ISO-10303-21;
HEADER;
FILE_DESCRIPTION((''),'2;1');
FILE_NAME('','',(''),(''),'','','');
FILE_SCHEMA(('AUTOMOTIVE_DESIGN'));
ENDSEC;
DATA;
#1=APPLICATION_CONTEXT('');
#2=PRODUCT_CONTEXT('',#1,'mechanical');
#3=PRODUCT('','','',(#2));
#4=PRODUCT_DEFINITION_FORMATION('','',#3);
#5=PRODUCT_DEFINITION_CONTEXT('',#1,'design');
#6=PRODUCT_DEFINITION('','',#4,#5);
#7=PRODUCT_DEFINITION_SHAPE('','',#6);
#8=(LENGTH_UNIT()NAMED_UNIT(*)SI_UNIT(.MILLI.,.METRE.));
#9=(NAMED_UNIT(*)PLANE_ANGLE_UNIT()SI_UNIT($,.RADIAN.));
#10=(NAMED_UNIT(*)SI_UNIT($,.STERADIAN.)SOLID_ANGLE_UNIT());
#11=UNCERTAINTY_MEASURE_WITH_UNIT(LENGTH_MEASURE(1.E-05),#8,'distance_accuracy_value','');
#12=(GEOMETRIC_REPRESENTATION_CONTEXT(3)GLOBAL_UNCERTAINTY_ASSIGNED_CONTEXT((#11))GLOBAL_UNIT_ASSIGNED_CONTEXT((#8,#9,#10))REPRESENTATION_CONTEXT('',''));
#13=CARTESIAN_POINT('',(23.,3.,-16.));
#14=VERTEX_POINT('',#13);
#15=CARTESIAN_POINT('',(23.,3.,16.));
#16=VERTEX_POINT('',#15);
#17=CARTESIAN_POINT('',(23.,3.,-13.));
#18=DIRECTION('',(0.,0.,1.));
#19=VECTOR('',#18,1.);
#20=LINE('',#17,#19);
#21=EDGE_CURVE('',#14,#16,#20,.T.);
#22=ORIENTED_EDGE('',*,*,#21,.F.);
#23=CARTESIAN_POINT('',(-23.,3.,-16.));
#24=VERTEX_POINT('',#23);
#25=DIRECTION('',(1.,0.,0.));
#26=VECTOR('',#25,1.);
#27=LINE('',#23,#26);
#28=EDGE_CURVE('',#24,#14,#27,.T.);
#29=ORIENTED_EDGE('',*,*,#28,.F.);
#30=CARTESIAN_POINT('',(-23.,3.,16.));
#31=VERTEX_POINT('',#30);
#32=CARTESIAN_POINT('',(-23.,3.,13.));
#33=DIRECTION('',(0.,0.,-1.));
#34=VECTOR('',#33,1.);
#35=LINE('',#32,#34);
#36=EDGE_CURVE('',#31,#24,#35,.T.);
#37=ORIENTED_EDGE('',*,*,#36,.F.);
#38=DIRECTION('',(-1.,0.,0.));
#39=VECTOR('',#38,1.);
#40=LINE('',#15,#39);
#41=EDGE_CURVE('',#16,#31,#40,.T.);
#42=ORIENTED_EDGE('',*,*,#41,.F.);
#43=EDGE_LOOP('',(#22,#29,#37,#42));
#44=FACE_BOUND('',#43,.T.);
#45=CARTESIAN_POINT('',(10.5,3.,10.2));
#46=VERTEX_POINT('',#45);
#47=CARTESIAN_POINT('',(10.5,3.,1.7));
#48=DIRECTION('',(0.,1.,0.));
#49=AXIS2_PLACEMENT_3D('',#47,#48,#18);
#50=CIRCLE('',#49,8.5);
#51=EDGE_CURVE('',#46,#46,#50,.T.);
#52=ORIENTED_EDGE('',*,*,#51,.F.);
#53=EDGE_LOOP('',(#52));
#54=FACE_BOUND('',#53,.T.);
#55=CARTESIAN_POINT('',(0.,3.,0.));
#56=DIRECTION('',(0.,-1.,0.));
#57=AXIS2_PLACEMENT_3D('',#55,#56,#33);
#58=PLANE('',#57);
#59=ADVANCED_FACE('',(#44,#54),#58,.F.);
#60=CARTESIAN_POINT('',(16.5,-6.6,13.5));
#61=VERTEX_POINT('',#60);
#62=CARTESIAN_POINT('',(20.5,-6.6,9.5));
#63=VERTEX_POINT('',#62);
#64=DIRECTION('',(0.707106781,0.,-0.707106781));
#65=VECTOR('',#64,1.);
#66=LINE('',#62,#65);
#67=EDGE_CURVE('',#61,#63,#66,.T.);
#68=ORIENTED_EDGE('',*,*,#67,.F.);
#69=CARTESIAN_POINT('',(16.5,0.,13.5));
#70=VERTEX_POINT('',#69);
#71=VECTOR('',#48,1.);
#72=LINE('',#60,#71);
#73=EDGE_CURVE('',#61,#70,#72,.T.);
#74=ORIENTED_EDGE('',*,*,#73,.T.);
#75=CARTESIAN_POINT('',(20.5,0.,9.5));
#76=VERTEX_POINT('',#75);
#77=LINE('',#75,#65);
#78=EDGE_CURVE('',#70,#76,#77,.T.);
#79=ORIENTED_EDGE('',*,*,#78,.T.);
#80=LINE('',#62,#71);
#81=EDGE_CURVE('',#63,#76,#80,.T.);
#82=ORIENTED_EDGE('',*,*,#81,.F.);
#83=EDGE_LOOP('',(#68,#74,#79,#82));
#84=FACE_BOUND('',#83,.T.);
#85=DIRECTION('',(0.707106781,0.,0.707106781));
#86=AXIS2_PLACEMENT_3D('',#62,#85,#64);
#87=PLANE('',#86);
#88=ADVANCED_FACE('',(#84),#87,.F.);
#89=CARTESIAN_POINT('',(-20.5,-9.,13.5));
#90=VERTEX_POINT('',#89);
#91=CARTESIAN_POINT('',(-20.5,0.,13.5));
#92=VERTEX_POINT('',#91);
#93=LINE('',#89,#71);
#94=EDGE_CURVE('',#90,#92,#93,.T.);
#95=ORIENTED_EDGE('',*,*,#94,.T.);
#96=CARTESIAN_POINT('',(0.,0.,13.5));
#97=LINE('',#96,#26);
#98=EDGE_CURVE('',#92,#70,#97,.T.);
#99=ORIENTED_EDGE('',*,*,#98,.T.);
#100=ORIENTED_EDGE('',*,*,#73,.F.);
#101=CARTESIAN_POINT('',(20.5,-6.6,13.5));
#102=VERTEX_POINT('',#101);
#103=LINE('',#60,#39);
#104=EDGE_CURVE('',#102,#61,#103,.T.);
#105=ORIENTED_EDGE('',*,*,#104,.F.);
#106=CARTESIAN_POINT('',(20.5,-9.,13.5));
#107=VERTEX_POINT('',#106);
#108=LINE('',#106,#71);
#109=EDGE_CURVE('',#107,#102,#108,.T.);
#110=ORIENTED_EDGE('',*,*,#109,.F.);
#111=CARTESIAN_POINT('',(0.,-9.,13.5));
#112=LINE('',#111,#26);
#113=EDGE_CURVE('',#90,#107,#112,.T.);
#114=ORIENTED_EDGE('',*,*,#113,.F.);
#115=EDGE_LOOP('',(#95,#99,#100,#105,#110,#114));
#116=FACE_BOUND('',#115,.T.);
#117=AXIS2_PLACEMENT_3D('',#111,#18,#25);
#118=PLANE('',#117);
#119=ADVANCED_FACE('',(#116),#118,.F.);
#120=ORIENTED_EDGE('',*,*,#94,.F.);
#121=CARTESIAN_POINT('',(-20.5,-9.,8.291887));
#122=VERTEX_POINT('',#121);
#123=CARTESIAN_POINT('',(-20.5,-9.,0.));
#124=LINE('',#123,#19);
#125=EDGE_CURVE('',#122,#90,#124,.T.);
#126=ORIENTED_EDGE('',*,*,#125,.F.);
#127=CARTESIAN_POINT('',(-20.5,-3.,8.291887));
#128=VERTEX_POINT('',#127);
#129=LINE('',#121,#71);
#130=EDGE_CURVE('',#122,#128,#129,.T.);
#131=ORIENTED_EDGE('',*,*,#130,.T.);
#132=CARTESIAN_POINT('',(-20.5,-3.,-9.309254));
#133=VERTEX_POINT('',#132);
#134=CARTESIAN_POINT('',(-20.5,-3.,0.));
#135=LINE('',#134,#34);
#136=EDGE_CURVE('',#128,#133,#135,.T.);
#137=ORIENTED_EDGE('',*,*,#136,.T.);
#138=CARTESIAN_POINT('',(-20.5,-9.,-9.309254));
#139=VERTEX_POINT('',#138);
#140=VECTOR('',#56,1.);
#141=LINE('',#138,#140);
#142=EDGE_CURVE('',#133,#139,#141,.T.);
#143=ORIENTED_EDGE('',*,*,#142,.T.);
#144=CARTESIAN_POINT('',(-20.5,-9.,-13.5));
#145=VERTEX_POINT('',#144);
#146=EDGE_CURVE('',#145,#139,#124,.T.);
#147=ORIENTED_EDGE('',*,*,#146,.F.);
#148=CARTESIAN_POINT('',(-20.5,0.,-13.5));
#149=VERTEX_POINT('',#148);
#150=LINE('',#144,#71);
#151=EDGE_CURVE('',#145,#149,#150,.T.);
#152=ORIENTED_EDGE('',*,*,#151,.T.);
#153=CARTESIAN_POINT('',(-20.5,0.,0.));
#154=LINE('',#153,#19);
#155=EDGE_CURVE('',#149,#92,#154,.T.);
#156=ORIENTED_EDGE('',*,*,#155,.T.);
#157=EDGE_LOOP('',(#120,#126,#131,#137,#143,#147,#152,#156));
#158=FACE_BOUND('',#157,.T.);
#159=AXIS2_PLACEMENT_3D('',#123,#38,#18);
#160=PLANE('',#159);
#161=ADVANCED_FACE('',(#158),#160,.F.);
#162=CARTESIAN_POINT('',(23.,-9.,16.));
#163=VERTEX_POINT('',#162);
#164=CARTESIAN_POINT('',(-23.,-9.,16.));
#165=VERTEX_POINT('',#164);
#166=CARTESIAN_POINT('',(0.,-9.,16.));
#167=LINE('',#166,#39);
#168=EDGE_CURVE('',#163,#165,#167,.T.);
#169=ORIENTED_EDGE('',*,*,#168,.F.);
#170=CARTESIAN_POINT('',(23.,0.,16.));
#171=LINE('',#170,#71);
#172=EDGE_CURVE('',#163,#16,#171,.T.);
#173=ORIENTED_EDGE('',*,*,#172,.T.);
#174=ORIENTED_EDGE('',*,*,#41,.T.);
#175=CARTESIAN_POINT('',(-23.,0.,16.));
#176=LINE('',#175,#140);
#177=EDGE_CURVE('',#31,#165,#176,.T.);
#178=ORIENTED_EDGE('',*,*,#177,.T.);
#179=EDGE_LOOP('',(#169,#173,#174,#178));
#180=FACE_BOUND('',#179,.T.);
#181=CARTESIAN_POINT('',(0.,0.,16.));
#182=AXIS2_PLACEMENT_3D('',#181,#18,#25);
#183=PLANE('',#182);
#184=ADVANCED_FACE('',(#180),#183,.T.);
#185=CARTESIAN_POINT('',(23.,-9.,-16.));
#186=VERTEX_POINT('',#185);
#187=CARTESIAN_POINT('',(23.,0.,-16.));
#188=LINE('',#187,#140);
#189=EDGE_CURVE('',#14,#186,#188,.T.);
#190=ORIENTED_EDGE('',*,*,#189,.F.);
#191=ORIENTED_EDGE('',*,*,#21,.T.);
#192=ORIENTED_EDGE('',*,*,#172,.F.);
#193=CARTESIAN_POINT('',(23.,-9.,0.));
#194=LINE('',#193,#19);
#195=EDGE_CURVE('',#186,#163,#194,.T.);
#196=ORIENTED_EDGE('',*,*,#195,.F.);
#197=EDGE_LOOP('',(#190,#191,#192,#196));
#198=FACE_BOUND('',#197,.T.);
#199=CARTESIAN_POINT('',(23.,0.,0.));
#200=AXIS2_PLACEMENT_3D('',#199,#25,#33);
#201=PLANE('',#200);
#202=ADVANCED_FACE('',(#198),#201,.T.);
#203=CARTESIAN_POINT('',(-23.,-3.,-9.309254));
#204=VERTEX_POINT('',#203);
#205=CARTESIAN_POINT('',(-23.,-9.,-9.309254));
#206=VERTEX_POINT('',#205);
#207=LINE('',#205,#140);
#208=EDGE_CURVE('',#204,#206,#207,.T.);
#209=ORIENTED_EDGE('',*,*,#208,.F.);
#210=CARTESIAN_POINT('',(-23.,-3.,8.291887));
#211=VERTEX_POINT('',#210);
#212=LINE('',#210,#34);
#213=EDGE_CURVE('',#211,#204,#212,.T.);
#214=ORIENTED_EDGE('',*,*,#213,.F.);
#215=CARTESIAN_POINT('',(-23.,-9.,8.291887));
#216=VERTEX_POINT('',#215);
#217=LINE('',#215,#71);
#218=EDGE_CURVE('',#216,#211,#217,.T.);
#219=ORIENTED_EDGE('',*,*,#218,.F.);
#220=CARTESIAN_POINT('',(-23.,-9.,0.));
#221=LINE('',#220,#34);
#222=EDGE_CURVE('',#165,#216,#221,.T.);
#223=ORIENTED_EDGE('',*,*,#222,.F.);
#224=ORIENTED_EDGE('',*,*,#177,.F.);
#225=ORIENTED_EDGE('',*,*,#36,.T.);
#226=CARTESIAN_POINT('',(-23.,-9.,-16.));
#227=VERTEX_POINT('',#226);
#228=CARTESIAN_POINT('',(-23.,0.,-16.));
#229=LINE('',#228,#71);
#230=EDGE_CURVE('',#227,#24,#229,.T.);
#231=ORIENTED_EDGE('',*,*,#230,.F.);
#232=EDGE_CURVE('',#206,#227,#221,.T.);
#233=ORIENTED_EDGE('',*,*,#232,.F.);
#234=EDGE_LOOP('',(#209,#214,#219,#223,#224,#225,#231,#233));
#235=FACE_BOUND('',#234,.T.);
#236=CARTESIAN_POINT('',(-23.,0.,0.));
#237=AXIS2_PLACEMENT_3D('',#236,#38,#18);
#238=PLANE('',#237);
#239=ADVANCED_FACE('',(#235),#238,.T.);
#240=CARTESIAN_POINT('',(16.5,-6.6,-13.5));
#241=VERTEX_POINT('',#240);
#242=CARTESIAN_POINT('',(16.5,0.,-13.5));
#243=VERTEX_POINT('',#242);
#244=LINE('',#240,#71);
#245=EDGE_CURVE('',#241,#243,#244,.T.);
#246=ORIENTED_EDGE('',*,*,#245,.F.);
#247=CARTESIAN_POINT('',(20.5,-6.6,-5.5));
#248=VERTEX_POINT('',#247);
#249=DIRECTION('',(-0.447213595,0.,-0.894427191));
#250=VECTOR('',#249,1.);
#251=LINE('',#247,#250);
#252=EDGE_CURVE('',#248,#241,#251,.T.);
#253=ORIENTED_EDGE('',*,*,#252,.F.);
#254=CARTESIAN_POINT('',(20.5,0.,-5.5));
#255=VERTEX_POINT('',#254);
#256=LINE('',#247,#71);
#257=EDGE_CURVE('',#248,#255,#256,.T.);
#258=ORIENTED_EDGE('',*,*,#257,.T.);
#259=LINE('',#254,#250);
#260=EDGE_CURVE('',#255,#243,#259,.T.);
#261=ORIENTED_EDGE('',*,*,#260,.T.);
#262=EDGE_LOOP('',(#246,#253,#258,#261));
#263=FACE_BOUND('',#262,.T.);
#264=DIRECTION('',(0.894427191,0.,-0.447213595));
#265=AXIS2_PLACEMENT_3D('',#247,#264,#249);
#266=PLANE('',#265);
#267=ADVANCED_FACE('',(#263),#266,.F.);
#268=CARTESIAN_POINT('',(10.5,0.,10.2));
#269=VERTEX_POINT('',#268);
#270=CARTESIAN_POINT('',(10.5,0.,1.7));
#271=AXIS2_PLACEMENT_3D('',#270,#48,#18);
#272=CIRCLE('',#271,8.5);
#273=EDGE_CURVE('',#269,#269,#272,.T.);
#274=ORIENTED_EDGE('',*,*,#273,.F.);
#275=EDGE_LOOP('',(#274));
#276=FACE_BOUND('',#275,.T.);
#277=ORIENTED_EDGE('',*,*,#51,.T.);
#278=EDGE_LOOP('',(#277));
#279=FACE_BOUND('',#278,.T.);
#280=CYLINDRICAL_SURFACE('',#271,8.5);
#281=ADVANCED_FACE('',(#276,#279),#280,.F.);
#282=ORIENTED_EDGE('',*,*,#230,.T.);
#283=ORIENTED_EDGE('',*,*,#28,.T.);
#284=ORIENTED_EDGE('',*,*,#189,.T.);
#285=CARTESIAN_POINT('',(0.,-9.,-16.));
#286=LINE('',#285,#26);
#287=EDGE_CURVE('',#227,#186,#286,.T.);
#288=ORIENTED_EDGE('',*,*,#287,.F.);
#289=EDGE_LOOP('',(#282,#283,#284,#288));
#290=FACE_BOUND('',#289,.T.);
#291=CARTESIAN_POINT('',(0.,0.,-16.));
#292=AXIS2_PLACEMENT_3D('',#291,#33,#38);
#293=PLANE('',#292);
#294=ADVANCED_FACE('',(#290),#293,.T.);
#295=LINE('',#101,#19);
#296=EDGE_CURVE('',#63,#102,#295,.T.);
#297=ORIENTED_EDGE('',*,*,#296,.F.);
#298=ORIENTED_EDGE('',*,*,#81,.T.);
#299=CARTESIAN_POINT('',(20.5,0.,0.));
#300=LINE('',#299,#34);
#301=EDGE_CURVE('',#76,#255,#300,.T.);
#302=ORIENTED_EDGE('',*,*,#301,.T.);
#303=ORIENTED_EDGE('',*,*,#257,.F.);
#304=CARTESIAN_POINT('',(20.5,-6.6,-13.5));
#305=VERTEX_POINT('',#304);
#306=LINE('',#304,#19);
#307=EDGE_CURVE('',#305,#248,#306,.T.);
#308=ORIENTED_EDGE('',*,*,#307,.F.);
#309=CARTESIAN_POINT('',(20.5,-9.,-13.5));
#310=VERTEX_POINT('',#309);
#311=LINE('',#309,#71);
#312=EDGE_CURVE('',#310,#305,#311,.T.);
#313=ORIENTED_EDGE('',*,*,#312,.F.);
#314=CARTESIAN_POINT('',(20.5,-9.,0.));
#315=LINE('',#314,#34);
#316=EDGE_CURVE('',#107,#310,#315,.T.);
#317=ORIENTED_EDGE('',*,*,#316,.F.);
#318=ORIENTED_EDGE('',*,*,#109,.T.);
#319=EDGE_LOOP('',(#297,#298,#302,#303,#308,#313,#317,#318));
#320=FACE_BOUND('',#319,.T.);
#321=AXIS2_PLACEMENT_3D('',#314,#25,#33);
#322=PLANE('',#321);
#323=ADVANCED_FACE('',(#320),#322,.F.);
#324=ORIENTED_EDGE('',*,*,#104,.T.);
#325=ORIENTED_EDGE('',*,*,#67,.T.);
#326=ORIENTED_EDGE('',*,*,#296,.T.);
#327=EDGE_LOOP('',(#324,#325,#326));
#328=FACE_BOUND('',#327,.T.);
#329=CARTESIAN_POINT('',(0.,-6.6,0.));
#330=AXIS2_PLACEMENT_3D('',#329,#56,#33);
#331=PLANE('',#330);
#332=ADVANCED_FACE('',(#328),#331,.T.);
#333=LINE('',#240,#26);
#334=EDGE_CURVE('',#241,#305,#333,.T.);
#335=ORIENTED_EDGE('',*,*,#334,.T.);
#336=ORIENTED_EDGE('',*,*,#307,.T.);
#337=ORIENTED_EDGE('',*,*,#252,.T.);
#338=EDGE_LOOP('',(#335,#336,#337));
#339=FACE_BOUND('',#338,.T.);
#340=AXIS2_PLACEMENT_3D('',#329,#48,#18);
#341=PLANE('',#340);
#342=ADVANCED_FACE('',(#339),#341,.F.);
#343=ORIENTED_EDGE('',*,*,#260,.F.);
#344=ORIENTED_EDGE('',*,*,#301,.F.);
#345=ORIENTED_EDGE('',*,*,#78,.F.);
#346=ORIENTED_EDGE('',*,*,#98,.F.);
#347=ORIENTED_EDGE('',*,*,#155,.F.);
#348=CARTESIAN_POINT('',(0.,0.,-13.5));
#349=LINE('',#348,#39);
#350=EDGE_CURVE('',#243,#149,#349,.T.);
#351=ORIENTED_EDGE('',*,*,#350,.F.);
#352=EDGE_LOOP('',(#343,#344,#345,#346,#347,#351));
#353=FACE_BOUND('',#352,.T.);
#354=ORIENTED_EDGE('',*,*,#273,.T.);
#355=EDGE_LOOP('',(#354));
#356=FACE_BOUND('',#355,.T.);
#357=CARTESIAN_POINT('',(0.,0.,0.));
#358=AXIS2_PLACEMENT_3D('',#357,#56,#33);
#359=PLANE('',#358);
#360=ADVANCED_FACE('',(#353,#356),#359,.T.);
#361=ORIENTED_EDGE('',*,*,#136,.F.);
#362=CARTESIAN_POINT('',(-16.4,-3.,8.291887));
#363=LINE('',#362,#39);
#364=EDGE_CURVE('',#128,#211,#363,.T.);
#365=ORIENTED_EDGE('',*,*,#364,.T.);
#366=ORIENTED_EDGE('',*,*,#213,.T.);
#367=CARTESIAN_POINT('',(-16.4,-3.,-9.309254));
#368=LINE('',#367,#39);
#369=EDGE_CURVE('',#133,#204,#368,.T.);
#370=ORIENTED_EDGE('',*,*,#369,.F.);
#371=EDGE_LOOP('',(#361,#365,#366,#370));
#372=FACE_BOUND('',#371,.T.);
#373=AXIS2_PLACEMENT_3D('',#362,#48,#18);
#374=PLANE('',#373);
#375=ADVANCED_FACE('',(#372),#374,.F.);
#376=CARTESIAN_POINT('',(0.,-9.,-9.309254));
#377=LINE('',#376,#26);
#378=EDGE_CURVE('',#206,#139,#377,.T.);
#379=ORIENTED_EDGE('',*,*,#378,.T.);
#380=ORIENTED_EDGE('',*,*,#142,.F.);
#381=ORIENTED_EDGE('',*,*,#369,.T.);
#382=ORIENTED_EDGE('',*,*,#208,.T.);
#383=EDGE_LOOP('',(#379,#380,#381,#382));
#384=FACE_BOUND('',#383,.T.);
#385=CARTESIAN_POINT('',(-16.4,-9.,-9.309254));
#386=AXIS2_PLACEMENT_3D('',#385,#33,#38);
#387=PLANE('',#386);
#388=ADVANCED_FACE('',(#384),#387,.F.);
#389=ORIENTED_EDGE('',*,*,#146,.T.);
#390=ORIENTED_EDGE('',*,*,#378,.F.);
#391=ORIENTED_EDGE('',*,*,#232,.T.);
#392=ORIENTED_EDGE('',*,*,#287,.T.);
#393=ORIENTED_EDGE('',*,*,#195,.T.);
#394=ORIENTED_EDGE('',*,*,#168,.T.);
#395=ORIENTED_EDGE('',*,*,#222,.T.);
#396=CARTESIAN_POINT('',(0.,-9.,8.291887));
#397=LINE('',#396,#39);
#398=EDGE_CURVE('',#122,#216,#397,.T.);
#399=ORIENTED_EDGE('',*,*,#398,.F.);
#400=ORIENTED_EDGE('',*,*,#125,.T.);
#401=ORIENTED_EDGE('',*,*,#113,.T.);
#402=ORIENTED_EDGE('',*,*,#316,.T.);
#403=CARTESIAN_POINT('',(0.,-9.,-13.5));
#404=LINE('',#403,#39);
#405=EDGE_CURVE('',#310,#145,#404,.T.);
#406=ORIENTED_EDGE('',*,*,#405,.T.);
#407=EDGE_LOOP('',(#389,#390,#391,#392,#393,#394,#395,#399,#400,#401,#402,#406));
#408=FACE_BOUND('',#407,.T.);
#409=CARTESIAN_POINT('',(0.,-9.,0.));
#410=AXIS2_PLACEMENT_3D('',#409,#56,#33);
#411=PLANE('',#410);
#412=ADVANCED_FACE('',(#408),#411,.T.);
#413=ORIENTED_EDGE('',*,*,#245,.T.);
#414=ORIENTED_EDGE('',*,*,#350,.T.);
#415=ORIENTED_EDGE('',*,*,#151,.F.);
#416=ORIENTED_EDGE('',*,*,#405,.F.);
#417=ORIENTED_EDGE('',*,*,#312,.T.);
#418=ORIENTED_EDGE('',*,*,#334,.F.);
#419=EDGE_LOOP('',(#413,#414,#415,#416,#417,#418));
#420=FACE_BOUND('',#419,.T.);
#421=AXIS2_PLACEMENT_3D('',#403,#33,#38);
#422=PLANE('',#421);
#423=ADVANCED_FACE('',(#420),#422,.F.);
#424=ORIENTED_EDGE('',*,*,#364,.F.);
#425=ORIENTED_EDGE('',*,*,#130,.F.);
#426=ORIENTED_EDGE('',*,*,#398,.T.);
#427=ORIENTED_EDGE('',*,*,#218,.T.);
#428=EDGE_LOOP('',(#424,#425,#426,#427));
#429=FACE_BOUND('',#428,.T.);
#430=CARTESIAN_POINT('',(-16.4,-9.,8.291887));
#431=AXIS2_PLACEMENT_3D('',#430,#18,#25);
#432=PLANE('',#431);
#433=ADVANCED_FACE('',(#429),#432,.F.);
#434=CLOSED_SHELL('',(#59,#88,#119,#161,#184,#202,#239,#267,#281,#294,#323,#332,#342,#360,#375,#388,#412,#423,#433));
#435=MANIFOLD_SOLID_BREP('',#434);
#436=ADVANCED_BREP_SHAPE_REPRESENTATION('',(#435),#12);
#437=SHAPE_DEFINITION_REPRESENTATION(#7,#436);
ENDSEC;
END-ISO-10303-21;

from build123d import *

# Parameters (mm, degrees)
SKETCH2_W           = 40
SKETCH2_H           = 26
BOSS_EXTRUDE1_DEPTH = 3
SKETCH3_R           = 8.5
CUT_EXTRUDE1_DEPTH  = 3
SKETCH4_W           = 26
SKETCH4_H           = 3
BOSS_EXTRUDE2_DEPTH = 3
SKETCH5_W           = 26
SKETCH5_H           = 3
BOSS_EXTRUDE3_DEPTH = 3
SKETCH6_W           = 46
SKETCH6_H           = 3
BOSS_EXTRUDE4_DEPTH = 3
SKETCH7_W           = 46
SKETCH7_H           = 3
BOSS_EXTRUDE5_DEPTH = 3
SKETCH8_W           = 41
SKETCH8_H           = 27
BOSS_EXTRUDE6_DEPTH = 9
BOSS_EXTRUDE7_DEPTH = 6.6
SKETCH10_W          = 17.601141336
SKETCH10_H          = 6
CUT_EXTRUDE2_DEPTH  = 6.6


with BuildPart() as part:
    # Sketch2 → Boss-Extrude1 (new body)
    with BuildSketch(Plane(origin=(0, 0, 0), x_dir=(1, 0, 0), z_dir=(0, 1, 0))):
        Rectangle(SKETCH2_W, SKETCH2_H)
    extrude(amount=BOSS_EXTRUDE1_DEPTH)

    # Sketch3 → Cut-Extrude1 (cut)
    with BuildSketch(Plane(origin=(0, 3, 0), x_dir=(1, 0, 0), z_dir=(0, 1, 0))):
        with Locations(Location((10.5, -1.7, 0), (0, 0, 270))):
            Circle(SKETCH3_R)
    extrude(amount=-CUT_EXTRUDE1_DEPTH, mode=Mode.SUBTRACT)

    # Sketch4 → Boss-Extrude2 (add)
    with BuildSketch(Plane(origin=(20, 0, 0), x_dir=(0, 0, -1), z_dir=(1, 0, 0))):
        with Locations((0, 1.5)):
            Rectangle(SKETCH4_W, SKETCH4_H)
    extrude(amount=BOSS_EXTRUDE2_DEPTH)

    # Sketch5 → Boss-Extrude3 (add)
    with BuildSketch(Plane.ZY.offset(20)):
        with Locations((0, 1.5)):
            Rectangle(SKETCH5_W, SKETCH5_H)
    extrude(amount=BOSS_EXTRUDE3_DEPTH)

    # Sketch6 → Boss-Extrude4 (add)
    with BuildSketch(Plane.XY.offset(13)):
        with Locations((0, 1.5)):
            Rectangle(SKETCH6_W, SKETCH6_H)
    extrude(amount=BOSS_EXTRUDE4_DEPTH)

    # Sketch7 → Boss-Extrude5 (add)
    with BuildSketch(Plane(origin=(0, 0, -13), x_dir=(-1, 0, 0), z_dir=(0, 0, -1))):
        with Locations((0, 1.5)):
            Rectangle(SKETCH7_W, SKETCH7_H)
    extrude(amount=BOSS_EXTRUDE5_DEPTH)

    # Sketch8 → Boss-Extrude6 (add)
    with BuildSketch(Plane.XZ):
        Polygon((23, 13), (23, 16), (20, 16), (-20, 16), (-23, 16), (-23, 13), (-23, -13), (-23, -16), (-20, -16), (20, -16), (23, -16), (23, -13), align=None)
        Rectangle(SKETCH8_W, SKETCH8_H, mode=Mode.SUBTRACT)
    extrude(amount=BOSS_EXTRUDE6_DEPTH)

    # Sketch9 → Boss-Extrude7 (add)
    with BuildSketch(Plane.XZ):
        Polygon((20.5, 9.5), (16.5, 13.5), (20.5, 13.5), align=None)
        Polygon((20.5, -5.5), (16.5, -13.5), (20.5, -13.5), align=None)
    extrude(amount=BOSS_EXTRUDE7_DEPTH)

    # Sketch10 → Cut-Extrude2 (cut)
    with BuildSketch(Plane.ZY.offset(23)):
        with Locations((-0.508683185, -6)):
            Rectangle(SKETCH10_W, SKETCH10_H)
    extrude(amount=-CUT_EXTRUDE2_DEPTH, mode=Mode.SUBTRACT)


solid = part.part
